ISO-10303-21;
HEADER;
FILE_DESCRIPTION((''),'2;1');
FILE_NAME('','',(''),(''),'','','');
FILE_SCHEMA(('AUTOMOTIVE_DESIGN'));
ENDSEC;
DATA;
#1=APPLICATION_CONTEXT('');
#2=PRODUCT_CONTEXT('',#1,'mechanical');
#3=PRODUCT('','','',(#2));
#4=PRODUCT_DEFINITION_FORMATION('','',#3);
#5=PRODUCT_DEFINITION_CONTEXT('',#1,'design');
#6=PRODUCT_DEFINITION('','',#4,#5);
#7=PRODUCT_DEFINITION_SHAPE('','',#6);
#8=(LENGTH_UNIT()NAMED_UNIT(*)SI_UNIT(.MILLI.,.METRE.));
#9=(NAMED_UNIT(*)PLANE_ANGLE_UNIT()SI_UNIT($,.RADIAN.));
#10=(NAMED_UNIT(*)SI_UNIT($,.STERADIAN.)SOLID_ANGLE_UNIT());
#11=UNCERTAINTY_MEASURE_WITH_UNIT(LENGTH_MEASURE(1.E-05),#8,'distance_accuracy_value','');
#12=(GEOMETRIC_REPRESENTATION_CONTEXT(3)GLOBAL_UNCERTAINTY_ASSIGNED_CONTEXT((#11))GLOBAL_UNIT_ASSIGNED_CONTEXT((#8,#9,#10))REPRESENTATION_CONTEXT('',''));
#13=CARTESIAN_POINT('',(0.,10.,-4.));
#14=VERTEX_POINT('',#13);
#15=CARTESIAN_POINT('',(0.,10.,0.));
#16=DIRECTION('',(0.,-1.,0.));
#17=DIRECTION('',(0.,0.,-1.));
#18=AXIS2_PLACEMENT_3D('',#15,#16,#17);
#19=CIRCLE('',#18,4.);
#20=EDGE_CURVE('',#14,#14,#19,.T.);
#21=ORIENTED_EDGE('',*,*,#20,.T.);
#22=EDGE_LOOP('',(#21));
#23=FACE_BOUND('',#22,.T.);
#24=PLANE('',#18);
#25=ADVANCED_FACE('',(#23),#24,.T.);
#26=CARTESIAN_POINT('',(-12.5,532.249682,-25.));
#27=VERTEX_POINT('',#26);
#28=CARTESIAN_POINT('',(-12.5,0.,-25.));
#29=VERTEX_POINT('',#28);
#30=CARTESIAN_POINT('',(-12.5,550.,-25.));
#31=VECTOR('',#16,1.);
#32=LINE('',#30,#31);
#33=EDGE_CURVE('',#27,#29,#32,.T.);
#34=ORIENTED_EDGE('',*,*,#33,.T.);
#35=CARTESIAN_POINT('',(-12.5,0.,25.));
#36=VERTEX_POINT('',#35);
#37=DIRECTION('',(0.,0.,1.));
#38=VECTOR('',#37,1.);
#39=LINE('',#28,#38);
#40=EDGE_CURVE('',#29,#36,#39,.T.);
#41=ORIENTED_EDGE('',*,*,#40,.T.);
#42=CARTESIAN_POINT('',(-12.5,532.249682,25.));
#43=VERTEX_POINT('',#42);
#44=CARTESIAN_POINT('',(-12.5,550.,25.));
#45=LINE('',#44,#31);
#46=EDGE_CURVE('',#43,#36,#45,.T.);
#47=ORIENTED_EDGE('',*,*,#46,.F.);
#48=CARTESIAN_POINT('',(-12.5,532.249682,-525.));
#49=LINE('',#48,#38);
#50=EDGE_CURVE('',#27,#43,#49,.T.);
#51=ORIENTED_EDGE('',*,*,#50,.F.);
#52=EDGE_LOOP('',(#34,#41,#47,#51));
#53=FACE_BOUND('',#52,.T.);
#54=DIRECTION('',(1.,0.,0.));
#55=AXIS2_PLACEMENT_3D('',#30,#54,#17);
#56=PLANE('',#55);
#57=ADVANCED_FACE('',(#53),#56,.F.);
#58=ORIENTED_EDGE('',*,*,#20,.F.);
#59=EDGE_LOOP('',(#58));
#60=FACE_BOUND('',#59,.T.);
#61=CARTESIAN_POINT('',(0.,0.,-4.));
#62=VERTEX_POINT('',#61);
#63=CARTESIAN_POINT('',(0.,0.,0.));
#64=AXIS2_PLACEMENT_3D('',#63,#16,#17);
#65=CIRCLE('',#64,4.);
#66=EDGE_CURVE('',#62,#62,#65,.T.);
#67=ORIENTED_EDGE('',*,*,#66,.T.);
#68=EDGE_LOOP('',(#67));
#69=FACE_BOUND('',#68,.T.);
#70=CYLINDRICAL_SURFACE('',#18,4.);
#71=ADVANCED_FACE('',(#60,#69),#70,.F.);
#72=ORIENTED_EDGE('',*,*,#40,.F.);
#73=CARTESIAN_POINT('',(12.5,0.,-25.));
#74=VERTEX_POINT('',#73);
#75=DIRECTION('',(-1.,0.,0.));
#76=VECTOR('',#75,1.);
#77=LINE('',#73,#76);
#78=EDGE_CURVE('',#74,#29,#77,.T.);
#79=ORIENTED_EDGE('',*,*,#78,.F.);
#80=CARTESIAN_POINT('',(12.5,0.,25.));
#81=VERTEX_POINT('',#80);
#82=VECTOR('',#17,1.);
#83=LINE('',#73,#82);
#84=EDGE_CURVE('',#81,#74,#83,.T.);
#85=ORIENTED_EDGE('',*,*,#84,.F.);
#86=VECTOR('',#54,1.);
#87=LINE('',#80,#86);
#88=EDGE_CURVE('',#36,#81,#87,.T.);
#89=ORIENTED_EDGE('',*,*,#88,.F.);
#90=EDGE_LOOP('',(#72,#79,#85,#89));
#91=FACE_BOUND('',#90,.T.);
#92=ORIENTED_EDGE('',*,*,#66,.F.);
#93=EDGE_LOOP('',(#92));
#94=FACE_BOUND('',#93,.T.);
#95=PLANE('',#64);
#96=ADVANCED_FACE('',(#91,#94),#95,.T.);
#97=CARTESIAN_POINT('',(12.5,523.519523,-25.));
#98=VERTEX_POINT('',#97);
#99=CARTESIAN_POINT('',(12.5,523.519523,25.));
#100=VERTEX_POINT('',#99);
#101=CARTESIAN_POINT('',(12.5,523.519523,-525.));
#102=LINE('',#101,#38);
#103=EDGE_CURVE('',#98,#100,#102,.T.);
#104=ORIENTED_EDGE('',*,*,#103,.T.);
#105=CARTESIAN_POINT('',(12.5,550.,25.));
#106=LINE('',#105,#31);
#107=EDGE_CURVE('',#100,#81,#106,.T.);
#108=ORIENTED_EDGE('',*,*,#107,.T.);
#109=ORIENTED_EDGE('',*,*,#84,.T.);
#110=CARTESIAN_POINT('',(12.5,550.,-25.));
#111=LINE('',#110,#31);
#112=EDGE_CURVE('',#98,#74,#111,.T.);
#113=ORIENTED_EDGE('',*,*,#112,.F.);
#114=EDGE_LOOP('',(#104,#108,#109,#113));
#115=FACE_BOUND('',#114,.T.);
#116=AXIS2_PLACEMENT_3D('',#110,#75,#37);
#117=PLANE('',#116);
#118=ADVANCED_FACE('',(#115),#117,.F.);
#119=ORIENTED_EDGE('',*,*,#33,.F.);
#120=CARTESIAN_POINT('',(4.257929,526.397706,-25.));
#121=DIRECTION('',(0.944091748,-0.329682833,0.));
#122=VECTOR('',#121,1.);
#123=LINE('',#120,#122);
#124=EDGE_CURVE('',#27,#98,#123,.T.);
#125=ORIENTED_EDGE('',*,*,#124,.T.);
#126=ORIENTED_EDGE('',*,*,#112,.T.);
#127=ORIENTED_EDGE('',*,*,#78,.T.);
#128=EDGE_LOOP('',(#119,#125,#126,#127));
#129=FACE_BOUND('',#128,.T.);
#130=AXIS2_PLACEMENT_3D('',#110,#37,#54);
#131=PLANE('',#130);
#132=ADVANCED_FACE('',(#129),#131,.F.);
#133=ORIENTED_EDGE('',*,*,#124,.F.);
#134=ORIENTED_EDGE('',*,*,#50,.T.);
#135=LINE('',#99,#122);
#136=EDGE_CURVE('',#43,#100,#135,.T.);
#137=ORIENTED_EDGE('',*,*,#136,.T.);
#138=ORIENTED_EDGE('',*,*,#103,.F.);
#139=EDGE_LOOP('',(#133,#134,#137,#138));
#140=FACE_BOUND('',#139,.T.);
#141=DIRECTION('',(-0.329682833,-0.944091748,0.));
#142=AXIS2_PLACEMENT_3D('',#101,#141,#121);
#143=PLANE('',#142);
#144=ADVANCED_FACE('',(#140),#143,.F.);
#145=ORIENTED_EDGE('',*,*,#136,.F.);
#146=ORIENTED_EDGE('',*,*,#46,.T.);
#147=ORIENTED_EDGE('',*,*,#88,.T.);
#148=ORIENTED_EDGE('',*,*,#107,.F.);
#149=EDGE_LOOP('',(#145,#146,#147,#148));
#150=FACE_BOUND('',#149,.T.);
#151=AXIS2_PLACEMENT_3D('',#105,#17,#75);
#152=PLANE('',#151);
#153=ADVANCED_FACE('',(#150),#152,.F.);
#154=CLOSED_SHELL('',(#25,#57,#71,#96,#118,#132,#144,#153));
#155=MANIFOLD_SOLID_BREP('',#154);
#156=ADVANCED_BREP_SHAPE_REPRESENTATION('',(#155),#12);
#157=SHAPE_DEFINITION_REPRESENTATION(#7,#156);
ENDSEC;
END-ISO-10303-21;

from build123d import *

# Parameters (mm, degrees)
SKETCH_1_W          = 25
SKETCH_1_H          = 50
EXTRUDE_1_DEPTH     = 550
SKETCH_2_R          = 4
CUT_EXTRUDE_1_DEPTH = 10
CUT_EXTRUDE_START   = -10
SKETCH_3_R          = 4
CUT_EXTRUDE_2_DEPTH = 10
CUT_EXTRUDE_4_DEPTH = 550


with BuildPart() as part:
    # Эскиз1 → Бобышка-Вытянуть1 (new body)
    with BuildSketch(Plane(origin=(0, 0, 0), x_dir=(1, 0, 0), z_dir=(0, 1, 0))):
        Rectangle(SKETCH_1_W, SKETCH_1_H)
    extrude(amount=EXTRUDE_1_DEPTH)

    # Эскиз2 → Вырез-Вытянуть1 (cut)
    with BuildSketch(Plane(origin=(0, 550, 0), x_dir=(1, 0, 0), z_dir=(0, 1, 0))):
        with Locations(Location((0, 0, 0), (0, 0, 270))):
            Circle(SKETCH_2_R)
    extrude(amount=-CUT_EXTRUDE_1_DEPTH, mode=Mode.SUBTRACT)

    # Эскиз3 → Вырез-Вытянуть2 (cut)
    with BuildSketch(Plane.XZ.offset(CUT_EXTRUDE_START)):
        with Locations(Location((0, 0, 0), (0, 0, 90))):
            Circle(SKETCH_3_R)
    extrude(amount=CUT_EXTRUDE_2_DEPTH, mode=Mode.SUBTRACT)

    # Эскиз4 → Вырез-Вытянуть4 (cut)
    with BuildSketch(Plane.XY.offset(25)):
        Polygon((12.5, 550), (12.5, 523.51952282), (-12.5, 532.24968156), (-12.5, 550), align=None)
    extrude(amount=-CUT_EXTRUDE_4_DEPTH, mode=Mode.SUBTRACT)


solid = part.part
